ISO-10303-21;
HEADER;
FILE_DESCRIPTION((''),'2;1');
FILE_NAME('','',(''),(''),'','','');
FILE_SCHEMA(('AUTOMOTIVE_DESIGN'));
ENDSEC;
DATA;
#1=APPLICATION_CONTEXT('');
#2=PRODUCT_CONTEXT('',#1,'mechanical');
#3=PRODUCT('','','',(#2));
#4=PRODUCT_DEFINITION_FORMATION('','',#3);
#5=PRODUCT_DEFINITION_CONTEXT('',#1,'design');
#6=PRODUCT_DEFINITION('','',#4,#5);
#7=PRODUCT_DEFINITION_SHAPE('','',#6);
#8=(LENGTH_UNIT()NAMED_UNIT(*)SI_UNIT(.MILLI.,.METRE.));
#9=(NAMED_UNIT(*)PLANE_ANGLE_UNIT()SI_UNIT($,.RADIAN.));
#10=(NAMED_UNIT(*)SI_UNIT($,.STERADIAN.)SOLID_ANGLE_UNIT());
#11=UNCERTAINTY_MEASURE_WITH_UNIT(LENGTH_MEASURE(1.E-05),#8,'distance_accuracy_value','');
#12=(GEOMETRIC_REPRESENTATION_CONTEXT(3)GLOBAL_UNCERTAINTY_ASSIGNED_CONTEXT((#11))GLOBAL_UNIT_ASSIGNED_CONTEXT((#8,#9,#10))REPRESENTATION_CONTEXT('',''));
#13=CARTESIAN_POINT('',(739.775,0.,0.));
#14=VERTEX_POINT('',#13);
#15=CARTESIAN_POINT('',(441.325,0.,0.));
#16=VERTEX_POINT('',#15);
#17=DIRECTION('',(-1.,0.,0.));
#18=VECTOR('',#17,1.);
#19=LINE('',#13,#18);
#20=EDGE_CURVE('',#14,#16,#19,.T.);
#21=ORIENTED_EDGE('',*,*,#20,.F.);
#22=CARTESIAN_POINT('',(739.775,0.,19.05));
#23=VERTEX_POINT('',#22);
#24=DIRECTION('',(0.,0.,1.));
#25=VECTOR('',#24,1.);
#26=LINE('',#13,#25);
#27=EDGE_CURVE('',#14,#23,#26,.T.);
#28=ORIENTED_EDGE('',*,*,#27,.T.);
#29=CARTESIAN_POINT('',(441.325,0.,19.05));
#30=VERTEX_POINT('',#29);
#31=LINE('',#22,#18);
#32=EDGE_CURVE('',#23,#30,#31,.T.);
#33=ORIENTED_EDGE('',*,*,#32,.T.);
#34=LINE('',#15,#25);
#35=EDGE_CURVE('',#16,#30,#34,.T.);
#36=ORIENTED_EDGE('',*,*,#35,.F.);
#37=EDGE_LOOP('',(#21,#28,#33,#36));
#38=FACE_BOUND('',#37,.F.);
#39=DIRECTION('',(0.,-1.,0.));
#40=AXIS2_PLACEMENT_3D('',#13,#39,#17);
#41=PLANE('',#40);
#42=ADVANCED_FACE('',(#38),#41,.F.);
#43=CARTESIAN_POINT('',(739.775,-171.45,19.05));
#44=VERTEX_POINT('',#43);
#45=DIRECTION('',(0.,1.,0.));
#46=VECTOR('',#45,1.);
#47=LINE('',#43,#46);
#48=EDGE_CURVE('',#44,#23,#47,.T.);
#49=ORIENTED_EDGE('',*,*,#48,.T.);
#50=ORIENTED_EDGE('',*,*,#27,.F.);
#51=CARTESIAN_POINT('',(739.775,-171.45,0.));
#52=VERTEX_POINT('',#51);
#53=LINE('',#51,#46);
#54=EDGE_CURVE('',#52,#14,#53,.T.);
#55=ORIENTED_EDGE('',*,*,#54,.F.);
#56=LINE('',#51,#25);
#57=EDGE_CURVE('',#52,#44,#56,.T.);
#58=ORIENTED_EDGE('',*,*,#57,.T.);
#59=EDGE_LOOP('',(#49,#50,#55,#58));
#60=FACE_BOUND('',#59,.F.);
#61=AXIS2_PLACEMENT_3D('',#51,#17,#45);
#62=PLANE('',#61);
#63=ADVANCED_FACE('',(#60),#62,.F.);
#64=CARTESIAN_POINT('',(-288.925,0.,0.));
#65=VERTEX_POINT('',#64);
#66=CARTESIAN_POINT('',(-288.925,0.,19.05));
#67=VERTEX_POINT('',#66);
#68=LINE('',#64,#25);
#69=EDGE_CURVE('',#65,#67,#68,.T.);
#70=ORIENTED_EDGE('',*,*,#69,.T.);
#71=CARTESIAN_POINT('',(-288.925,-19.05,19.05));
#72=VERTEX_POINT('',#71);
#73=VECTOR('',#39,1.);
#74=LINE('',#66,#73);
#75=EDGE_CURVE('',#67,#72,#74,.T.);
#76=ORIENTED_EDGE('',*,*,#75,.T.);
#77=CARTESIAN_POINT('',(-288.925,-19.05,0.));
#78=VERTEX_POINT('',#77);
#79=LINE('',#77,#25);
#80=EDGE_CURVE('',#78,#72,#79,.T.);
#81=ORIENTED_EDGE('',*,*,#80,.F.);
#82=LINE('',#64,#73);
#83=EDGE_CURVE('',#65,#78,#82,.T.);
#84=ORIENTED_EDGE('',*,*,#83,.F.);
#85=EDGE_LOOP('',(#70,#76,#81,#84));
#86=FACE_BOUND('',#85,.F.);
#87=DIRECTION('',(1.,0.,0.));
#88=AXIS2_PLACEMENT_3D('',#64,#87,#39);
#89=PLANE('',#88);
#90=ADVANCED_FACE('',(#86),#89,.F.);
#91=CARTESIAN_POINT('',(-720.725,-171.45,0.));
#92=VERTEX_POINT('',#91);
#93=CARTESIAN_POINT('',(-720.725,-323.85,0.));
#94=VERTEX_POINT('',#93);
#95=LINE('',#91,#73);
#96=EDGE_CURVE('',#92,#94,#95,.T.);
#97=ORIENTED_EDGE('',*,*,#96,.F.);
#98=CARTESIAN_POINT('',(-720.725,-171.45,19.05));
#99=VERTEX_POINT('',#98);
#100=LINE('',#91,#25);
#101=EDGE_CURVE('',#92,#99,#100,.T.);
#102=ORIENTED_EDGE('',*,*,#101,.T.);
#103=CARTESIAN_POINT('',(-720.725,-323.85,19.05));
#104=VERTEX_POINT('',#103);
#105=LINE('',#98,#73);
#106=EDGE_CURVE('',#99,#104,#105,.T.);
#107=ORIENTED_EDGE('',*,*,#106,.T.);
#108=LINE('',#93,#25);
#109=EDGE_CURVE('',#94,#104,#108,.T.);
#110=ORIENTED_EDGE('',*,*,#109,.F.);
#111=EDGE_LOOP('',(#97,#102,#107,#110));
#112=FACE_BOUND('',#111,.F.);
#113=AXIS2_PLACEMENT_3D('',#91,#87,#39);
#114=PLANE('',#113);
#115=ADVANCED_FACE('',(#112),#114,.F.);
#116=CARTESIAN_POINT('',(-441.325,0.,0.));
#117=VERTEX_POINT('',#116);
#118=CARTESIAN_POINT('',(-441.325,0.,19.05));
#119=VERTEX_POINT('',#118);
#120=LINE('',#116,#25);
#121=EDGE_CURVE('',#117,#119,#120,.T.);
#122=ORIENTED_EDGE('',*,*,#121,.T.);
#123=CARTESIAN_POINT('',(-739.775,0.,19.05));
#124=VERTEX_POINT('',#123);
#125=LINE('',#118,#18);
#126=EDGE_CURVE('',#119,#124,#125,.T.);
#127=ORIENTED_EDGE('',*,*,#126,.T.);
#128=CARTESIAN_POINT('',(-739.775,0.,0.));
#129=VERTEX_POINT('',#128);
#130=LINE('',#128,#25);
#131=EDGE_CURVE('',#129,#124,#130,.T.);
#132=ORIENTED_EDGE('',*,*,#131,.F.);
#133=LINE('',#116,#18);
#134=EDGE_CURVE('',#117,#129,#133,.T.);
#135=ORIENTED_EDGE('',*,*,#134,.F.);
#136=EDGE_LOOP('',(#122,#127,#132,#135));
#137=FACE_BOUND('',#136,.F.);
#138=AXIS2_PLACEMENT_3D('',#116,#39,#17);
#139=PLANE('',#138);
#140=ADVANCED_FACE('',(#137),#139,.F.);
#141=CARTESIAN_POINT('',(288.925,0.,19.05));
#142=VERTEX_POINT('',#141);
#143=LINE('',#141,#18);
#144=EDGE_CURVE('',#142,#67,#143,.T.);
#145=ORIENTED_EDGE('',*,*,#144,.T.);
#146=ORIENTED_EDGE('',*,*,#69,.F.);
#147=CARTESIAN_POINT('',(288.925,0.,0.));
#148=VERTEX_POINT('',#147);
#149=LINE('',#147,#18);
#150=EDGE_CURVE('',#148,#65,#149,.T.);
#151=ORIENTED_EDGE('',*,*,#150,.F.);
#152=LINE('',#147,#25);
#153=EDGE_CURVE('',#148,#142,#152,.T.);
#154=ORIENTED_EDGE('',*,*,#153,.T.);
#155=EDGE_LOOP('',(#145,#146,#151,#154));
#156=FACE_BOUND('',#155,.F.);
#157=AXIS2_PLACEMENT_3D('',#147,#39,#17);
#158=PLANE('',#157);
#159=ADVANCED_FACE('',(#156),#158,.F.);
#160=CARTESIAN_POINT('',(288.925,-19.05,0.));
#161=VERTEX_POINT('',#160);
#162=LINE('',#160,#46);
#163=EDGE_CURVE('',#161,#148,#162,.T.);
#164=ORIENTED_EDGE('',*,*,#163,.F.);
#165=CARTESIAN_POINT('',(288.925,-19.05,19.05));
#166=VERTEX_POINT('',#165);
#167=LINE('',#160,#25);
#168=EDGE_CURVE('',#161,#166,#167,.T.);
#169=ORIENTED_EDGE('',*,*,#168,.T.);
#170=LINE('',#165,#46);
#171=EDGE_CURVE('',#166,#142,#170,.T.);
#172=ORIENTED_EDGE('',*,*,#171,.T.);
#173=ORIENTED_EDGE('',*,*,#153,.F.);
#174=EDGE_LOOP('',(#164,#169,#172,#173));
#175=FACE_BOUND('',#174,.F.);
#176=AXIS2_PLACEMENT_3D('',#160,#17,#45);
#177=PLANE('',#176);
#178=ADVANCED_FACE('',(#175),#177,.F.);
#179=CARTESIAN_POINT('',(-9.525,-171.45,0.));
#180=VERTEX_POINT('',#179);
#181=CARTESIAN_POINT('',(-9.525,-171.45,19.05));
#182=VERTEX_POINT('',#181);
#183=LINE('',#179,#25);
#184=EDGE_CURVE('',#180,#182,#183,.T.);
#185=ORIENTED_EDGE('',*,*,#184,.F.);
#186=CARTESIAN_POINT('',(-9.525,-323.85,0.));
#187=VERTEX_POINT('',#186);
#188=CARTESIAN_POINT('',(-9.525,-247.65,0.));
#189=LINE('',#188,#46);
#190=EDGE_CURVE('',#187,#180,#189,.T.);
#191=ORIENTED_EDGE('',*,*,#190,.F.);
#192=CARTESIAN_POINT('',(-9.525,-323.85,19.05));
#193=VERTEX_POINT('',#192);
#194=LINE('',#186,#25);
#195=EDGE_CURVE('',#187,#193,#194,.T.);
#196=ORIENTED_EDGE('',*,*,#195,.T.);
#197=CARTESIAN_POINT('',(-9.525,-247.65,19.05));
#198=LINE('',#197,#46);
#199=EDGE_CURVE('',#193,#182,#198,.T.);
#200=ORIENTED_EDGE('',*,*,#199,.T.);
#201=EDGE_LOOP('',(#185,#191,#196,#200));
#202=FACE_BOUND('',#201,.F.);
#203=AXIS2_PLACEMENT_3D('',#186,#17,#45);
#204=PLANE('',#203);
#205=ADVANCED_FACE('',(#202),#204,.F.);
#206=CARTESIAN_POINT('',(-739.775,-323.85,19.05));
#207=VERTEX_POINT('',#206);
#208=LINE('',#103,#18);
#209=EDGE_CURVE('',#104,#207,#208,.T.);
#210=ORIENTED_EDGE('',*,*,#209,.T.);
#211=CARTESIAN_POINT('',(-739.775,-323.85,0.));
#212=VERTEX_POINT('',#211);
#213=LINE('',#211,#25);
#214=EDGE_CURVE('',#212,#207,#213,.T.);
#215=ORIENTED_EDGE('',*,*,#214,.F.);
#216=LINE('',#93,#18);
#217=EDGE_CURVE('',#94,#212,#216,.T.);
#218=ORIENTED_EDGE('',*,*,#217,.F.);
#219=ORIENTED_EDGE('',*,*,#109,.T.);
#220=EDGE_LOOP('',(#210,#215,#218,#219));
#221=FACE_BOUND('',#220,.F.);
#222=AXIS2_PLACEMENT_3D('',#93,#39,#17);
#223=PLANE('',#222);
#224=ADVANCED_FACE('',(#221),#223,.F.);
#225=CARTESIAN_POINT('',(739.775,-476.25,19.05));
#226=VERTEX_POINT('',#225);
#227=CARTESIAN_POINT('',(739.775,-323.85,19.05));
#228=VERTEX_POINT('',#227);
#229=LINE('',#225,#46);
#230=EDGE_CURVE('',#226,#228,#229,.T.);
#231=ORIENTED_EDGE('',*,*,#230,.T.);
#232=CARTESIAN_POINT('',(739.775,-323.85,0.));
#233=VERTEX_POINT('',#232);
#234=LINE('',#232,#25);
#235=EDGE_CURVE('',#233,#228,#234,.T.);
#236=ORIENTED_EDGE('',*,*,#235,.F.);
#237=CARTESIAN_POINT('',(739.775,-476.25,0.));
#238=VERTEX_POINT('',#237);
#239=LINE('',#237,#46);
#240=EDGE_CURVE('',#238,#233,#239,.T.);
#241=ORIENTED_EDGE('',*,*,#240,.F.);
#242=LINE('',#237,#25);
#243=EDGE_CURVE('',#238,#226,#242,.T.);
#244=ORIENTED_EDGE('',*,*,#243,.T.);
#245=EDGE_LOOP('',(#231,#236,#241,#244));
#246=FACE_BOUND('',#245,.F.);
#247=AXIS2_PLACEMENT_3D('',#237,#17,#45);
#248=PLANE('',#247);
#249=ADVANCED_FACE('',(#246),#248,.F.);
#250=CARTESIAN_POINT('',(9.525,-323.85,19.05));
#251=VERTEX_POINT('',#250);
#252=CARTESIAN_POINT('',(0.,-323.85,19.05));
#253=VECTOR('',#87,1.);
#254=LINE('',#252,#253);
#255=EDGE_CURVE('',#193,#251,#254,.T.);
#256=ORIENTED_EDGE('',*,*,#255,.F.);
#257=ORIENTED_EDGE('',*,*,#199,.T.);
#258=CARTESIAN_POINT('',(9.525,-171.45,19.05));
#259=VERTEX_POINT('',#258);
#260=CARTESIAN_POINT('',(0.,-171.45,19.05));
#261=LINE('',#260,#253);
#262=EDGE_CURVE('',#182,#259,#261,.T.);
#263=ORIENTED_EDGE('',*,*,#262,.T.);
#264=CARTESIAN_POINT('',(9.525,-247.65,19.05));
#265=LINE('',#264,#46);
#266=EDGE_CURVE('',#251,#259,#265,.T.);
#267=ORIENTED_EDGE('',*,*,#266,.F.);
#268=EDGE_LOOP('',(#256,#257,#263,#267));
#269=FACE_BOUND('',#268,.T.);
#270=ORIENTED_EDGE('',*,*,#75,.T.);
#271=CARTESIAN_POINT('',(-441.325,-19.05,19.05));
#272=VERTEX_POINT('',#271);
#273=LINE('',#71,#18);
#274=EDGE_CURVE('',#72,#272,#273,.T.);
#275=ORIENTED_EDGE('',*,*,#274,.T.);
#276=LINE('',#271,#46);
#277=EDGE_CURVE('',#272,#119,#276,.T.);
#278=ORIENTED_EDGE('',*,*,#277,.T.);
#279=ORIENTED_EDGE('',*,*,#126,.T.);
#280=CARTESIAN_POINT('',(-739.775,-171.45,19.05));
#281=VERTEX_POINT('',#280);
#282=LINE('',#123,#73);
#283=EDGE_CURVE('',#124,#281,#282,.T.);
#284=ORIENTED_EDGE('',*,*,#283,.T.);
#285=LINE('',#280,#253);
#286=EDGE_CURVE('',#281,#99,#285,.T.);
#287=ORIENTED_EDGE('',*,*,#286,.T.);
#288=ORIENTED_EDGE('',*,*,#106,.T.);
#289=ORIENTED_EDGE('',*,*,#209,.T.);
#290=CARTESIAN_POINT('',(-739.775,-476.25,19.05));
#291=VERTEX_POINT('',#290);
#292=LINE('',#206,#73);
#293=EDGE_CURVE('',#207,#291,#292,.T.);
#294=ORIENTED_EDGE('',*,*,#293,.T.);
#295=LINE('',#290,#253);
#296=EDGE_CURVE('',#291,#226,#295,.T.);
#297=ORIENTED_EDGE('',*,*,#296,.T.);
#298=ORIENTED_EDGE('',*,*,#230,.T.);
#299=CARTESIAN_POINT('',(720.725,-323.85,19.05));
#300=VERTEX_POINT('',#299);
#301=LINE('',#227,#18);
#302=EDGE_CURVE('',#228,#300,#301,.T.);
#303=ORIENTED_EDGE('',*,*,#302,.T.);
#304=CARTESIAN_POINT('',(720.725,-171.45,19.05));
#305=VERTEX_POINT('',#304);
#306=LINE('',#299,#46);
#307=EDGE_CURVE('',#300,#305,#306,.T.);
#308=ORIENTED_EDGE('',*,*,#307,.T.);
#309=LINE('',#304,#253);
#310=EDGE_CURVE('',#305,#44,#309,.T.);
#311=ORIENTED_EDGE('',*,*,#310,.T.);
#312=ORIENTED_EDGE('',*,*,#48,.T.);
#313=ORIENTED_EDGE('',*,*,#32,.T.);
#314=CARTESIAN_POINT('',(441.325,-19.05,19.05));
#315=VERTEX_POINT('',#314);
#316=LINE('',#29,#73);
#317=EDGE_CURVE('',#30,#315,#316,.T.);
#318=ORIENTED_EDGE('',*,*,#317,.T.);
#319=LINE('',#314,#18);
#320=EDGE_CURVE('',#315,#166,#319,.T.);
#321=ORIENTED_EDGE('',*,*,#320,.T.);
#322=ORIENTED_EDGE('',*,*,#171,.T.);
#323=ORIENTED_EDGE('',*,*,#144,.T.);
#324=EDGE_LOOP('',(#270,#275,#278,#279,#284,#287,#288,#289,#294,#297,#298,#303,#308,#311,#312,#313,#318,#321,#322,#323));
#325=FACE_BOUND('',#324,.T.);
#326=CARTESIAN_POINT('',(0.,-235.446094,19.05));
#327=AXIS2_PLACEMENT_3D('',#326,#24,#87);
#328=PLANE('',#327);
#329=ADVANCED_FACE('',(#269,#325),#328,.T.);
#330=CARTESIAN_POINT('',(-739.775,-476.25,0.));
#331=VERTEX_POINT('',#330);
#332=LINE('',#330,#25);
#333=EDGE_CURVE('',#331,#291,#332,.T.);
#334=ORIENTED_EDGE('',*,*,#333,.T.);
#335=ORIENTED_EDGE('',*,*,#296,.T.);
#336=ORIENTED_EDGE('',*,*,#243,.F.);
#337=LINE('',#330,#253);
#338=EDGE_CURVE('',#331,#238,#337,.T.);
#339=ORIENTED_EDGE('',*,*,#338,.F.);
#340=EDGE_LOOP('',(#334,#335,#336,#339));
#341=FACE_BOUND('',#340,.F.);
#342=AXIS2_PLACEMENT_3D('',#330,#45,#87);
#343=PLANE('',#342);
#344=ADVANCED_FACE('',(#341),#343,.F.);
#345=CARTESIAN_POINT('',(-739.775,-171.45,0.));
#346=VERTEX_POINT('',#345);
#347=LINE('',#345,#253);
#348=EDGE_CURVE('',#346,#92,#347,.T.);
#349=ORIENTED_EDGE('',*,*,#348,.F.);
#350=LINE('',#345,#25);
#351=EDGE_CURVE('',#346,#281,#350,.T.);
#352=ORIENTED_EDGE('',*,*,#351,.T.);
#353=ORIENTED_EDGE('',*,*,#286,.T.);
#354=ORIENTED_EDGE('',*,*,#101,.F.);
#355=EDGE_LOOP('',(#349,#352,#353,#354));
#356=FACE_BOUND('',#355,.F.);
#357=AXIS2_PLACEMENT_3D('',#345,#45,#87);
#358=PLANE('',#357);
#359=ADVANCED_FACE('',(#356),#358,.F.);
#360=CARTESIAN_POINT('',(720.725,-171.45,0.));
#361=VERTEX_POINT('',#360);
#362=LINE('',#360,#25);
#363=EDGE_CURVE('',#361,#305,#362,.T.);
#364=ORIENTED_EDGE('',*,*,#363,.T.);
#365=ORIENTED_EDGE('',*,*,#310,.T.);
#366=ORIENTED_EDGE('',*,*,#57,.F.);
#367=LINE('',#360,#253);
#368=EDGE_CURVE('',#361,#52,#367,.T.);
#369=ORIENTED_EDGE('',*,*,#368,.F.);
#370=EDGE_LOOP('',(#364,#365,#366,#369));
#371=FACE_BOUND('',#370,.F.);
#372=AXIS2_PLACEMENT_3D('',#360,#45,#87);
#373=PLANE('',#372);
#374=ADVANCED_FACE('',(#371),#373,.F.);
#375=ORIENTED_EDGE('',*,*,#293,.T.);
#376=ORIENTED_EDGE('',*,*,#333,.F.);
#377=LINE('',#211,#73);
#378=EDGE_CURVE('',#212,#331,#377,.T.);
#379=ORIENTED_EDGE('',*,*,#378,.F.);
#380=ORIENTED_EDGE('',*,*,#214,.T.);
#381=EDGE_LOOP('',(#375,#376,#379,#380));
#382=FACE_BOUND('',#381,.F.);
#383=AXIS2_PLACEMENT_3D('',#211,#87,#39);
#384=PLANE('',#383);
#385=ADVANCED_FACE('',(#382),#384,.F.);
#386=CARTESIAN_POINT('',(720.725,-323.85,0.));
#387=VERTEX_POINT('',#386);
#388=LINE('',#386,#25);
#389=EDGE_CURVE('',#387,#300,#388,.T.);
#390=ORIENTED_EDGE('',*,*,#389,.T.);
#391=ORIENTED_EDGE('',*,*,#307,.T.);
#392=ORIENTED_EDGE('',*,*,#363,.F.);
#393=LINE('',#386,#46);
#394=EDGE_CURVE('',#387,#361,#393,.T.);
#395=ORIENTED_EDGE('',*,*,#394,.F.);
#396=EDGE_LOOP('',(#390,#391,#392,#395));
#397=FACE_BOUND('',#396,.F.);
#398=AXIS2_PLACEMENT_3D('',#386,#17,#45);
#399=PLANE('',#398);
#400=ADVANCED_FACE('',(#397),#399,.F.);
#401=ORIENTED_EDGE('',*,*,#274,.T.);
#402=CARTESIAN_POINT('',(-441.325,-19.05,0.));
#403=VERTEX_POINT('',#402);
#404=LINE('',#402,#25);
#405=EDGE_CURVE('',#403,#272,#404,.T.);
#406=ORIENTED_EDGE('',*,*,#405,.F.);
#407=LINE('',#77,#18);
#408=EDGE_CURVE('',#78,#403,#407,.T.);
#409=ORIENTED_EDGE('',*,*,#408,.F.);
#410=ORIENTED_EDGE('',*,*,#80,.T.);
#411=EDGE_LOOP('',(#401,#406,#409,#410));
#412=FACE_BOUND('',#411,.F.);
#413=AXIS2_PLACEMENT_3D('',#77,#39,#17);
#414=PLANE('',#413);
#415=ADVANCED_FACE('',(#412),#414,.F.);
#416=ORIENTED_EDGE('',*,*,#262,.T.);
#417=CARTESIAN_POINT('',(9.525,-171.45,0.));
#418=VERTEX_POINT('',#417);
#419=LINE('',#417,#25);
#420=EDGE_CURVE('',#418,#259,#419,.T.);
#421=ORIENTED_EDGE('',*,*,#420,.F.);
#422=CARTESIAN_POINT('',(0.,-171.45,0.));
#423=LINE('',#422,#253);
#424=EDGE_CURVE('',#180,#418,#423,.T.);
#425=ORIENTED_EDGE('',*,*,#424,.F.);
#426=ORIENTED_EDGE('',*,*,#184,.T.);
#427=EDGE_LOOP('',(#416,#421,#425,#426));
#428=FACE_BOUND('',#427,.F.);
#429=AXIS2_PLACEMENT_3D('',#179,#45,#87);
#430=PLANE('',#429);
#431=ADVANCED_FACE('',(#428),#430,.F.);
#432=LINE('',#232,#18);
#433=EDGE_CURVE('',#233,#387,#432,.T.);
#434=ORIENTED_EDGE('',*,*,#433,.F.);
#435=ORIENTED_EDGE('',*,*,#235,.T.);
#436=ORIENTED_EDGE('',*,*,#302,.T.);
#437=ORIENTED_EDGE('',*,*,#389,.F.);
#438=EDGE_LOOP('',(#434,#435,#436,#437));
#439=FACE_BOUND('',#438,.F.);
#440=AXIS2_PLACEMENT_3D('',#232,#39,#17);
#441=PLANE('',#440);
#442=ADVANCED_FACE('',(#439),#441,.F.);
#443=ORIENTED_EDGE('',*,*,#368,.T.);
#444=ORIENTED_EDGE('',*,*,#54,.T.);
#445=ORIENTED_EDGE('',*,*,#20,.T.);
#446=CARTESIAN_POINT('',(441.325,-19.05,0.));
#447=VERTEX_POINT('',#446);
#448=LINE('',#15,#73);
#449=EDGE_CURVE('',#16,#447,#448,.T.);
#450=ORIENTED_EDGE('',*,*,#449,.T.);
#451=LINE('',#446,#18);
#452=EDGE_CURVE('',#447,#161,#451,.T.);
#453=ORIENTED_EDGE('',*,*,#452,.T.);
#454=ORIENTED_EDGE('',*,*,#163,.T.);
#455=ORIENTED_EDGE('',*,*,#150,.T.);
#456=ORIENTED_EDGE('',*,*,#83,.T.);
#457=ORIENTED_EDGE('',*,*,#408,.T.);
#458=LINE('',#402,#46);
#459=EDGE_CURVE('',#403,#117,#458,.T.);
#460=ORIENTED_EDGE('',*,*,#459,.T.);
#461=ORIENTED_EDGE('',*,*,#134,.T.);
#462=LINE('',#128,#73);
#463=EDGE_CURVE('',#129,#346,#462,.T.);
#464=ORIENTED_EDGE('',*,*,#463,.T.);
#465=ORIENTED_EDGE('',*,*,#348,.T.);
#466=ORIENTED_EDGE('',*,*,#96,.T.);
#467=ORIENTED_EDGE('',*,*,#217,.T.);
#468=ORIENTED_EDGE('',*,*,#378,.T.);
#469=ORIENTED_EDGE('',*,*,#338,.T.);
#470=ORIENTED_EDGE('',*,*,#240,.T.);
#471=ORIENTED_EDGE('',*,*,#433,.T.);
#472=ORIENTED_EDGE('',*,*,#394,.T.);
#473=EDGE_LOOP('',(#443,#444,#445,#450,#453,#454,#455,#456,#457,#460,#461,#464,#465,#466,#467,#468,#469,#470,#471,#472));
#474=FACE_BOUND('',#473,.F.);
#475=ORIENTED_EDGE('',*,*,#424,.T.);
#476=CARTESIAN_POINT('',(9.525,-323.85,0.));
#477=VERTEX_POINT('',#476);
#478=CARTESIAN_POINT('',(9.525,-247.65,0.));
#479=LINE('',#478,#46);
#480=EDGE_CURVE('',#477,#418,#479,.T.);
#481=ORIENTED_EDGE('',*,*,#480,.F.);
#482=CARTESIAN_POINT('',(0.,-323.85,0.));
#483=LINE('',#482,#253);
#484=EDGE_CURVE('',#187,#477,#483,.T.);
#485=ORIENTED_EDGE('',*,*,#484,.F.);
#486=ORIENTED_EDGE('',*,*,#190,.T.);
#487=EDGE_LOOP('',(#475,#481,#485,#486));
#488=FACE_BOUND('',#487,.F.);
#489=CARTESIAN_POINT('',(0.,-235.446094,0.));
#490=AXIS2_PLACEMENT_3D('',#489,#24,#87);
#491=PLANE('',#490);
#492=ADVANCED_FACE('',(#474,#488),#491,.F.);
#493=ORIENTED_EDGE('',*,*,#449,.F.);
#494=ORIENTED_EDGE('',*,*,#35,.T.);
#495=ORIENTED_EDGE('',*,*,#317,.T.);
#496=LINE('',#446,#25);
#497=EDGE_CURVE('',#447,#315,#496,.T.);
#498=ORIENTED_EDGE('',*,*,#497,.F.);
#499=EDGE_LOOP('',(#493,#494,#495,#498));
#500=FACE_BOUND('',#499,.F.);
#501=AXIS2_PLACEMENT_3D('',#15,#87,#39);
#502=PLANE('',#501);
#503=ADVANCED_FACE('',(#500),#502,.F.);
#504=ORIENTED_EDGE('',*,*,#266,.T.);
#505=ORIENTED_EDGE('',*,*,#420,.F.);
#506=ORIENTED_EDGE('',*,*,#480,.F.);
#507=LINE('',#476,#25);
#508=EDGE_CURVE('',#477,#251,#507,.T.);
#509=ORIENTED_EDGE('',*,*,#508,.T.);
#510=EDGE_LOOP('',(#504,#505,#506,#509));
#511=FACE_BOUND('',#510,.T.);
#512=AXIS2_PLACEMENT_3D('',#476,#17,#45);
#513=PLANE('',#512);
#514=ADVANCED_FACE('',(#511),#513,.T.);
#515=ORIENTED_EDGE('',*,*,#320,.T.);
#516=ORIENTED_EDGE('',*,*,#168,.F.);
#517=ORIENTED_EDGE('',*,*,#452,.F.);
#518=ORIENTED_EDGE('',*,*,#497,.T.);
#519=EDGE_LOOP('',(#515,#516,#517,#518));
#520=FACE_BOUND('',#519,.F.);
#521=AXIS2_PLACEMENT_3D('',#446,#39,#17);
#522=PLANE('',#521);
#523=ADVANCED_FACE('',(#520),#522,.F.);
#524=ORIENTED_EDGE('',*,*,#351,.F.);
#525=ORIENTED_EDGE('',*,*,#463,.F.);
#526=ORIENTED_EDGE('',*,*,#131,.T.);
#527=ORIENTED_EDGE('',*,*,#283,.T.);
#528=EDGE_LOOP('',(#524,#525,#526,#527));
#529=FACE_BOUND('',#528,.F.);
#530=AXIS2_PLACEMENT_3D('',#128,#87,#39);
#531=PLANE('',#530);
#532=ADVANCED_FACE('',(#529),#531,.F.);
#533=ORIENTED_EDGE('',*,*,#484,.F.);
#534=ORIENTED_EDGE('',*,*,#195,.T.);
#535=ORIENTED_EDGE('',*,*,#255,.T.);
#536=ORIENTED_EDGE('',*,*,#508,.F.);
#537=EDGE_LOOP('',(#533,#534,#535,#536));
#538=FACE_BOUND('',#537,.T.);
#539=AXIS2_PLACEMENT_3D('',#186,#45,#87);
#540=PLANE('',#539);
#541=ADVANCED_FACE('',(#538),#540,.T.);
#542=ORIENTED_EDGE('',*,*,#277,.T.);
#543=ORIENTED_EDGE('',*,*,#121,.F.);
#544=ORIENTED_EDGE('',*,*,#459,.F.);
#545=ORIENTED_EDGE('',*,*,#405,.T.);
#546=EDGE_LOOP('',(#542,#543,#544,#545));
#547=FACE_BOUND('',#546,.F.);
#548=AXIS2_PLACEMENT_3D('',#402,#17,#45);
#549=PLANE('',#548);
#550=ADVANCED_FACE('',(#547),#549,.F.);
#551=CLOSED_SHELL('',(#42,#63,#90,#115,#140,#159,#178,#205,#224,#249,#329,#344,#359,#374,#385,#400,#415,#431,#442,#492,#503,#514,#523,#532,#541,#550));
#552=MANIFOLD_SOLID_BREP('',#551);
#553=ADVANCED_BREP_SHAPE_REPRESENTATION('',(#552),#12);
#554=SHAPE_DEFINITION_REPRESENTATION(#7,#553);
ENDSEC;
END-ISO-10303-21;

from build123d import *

# Parameters (mm, degrees)
F0_W     = 19.05
F0_H     = 152.4
F1_DEPTH = 19.05


with BuildPart() as f1:
    # F0 (on Top) → F1 (new body)
    with BuildSketch(Plane.XY):
        Polygon((-739.775, -323.85), (-739.775, -476.25), (739.775, -476.25), (739.775, -323.85), (720.725, -323.85), (720.725, -171.45), (739.775, -171.45), (739.775, 0), (441.325, 0), (441.325, -19.05), (288.925, -19.05), (288.925, 0), (-288.925, 0), (-288.925, -19.05), (-441.325, -19.05), (-441.325, 0), (-739.775, 0), (-739.775, -171.45), (-720.725, -171.45), (-720.725, -323.85), align=None)
        with Locations((0, -247.65)):
            Rectangle(F0_W, F0_H, mode=Mode.SUBTRACT)
    extrude(amount=F1_DEPTH)


solid = f1.part
